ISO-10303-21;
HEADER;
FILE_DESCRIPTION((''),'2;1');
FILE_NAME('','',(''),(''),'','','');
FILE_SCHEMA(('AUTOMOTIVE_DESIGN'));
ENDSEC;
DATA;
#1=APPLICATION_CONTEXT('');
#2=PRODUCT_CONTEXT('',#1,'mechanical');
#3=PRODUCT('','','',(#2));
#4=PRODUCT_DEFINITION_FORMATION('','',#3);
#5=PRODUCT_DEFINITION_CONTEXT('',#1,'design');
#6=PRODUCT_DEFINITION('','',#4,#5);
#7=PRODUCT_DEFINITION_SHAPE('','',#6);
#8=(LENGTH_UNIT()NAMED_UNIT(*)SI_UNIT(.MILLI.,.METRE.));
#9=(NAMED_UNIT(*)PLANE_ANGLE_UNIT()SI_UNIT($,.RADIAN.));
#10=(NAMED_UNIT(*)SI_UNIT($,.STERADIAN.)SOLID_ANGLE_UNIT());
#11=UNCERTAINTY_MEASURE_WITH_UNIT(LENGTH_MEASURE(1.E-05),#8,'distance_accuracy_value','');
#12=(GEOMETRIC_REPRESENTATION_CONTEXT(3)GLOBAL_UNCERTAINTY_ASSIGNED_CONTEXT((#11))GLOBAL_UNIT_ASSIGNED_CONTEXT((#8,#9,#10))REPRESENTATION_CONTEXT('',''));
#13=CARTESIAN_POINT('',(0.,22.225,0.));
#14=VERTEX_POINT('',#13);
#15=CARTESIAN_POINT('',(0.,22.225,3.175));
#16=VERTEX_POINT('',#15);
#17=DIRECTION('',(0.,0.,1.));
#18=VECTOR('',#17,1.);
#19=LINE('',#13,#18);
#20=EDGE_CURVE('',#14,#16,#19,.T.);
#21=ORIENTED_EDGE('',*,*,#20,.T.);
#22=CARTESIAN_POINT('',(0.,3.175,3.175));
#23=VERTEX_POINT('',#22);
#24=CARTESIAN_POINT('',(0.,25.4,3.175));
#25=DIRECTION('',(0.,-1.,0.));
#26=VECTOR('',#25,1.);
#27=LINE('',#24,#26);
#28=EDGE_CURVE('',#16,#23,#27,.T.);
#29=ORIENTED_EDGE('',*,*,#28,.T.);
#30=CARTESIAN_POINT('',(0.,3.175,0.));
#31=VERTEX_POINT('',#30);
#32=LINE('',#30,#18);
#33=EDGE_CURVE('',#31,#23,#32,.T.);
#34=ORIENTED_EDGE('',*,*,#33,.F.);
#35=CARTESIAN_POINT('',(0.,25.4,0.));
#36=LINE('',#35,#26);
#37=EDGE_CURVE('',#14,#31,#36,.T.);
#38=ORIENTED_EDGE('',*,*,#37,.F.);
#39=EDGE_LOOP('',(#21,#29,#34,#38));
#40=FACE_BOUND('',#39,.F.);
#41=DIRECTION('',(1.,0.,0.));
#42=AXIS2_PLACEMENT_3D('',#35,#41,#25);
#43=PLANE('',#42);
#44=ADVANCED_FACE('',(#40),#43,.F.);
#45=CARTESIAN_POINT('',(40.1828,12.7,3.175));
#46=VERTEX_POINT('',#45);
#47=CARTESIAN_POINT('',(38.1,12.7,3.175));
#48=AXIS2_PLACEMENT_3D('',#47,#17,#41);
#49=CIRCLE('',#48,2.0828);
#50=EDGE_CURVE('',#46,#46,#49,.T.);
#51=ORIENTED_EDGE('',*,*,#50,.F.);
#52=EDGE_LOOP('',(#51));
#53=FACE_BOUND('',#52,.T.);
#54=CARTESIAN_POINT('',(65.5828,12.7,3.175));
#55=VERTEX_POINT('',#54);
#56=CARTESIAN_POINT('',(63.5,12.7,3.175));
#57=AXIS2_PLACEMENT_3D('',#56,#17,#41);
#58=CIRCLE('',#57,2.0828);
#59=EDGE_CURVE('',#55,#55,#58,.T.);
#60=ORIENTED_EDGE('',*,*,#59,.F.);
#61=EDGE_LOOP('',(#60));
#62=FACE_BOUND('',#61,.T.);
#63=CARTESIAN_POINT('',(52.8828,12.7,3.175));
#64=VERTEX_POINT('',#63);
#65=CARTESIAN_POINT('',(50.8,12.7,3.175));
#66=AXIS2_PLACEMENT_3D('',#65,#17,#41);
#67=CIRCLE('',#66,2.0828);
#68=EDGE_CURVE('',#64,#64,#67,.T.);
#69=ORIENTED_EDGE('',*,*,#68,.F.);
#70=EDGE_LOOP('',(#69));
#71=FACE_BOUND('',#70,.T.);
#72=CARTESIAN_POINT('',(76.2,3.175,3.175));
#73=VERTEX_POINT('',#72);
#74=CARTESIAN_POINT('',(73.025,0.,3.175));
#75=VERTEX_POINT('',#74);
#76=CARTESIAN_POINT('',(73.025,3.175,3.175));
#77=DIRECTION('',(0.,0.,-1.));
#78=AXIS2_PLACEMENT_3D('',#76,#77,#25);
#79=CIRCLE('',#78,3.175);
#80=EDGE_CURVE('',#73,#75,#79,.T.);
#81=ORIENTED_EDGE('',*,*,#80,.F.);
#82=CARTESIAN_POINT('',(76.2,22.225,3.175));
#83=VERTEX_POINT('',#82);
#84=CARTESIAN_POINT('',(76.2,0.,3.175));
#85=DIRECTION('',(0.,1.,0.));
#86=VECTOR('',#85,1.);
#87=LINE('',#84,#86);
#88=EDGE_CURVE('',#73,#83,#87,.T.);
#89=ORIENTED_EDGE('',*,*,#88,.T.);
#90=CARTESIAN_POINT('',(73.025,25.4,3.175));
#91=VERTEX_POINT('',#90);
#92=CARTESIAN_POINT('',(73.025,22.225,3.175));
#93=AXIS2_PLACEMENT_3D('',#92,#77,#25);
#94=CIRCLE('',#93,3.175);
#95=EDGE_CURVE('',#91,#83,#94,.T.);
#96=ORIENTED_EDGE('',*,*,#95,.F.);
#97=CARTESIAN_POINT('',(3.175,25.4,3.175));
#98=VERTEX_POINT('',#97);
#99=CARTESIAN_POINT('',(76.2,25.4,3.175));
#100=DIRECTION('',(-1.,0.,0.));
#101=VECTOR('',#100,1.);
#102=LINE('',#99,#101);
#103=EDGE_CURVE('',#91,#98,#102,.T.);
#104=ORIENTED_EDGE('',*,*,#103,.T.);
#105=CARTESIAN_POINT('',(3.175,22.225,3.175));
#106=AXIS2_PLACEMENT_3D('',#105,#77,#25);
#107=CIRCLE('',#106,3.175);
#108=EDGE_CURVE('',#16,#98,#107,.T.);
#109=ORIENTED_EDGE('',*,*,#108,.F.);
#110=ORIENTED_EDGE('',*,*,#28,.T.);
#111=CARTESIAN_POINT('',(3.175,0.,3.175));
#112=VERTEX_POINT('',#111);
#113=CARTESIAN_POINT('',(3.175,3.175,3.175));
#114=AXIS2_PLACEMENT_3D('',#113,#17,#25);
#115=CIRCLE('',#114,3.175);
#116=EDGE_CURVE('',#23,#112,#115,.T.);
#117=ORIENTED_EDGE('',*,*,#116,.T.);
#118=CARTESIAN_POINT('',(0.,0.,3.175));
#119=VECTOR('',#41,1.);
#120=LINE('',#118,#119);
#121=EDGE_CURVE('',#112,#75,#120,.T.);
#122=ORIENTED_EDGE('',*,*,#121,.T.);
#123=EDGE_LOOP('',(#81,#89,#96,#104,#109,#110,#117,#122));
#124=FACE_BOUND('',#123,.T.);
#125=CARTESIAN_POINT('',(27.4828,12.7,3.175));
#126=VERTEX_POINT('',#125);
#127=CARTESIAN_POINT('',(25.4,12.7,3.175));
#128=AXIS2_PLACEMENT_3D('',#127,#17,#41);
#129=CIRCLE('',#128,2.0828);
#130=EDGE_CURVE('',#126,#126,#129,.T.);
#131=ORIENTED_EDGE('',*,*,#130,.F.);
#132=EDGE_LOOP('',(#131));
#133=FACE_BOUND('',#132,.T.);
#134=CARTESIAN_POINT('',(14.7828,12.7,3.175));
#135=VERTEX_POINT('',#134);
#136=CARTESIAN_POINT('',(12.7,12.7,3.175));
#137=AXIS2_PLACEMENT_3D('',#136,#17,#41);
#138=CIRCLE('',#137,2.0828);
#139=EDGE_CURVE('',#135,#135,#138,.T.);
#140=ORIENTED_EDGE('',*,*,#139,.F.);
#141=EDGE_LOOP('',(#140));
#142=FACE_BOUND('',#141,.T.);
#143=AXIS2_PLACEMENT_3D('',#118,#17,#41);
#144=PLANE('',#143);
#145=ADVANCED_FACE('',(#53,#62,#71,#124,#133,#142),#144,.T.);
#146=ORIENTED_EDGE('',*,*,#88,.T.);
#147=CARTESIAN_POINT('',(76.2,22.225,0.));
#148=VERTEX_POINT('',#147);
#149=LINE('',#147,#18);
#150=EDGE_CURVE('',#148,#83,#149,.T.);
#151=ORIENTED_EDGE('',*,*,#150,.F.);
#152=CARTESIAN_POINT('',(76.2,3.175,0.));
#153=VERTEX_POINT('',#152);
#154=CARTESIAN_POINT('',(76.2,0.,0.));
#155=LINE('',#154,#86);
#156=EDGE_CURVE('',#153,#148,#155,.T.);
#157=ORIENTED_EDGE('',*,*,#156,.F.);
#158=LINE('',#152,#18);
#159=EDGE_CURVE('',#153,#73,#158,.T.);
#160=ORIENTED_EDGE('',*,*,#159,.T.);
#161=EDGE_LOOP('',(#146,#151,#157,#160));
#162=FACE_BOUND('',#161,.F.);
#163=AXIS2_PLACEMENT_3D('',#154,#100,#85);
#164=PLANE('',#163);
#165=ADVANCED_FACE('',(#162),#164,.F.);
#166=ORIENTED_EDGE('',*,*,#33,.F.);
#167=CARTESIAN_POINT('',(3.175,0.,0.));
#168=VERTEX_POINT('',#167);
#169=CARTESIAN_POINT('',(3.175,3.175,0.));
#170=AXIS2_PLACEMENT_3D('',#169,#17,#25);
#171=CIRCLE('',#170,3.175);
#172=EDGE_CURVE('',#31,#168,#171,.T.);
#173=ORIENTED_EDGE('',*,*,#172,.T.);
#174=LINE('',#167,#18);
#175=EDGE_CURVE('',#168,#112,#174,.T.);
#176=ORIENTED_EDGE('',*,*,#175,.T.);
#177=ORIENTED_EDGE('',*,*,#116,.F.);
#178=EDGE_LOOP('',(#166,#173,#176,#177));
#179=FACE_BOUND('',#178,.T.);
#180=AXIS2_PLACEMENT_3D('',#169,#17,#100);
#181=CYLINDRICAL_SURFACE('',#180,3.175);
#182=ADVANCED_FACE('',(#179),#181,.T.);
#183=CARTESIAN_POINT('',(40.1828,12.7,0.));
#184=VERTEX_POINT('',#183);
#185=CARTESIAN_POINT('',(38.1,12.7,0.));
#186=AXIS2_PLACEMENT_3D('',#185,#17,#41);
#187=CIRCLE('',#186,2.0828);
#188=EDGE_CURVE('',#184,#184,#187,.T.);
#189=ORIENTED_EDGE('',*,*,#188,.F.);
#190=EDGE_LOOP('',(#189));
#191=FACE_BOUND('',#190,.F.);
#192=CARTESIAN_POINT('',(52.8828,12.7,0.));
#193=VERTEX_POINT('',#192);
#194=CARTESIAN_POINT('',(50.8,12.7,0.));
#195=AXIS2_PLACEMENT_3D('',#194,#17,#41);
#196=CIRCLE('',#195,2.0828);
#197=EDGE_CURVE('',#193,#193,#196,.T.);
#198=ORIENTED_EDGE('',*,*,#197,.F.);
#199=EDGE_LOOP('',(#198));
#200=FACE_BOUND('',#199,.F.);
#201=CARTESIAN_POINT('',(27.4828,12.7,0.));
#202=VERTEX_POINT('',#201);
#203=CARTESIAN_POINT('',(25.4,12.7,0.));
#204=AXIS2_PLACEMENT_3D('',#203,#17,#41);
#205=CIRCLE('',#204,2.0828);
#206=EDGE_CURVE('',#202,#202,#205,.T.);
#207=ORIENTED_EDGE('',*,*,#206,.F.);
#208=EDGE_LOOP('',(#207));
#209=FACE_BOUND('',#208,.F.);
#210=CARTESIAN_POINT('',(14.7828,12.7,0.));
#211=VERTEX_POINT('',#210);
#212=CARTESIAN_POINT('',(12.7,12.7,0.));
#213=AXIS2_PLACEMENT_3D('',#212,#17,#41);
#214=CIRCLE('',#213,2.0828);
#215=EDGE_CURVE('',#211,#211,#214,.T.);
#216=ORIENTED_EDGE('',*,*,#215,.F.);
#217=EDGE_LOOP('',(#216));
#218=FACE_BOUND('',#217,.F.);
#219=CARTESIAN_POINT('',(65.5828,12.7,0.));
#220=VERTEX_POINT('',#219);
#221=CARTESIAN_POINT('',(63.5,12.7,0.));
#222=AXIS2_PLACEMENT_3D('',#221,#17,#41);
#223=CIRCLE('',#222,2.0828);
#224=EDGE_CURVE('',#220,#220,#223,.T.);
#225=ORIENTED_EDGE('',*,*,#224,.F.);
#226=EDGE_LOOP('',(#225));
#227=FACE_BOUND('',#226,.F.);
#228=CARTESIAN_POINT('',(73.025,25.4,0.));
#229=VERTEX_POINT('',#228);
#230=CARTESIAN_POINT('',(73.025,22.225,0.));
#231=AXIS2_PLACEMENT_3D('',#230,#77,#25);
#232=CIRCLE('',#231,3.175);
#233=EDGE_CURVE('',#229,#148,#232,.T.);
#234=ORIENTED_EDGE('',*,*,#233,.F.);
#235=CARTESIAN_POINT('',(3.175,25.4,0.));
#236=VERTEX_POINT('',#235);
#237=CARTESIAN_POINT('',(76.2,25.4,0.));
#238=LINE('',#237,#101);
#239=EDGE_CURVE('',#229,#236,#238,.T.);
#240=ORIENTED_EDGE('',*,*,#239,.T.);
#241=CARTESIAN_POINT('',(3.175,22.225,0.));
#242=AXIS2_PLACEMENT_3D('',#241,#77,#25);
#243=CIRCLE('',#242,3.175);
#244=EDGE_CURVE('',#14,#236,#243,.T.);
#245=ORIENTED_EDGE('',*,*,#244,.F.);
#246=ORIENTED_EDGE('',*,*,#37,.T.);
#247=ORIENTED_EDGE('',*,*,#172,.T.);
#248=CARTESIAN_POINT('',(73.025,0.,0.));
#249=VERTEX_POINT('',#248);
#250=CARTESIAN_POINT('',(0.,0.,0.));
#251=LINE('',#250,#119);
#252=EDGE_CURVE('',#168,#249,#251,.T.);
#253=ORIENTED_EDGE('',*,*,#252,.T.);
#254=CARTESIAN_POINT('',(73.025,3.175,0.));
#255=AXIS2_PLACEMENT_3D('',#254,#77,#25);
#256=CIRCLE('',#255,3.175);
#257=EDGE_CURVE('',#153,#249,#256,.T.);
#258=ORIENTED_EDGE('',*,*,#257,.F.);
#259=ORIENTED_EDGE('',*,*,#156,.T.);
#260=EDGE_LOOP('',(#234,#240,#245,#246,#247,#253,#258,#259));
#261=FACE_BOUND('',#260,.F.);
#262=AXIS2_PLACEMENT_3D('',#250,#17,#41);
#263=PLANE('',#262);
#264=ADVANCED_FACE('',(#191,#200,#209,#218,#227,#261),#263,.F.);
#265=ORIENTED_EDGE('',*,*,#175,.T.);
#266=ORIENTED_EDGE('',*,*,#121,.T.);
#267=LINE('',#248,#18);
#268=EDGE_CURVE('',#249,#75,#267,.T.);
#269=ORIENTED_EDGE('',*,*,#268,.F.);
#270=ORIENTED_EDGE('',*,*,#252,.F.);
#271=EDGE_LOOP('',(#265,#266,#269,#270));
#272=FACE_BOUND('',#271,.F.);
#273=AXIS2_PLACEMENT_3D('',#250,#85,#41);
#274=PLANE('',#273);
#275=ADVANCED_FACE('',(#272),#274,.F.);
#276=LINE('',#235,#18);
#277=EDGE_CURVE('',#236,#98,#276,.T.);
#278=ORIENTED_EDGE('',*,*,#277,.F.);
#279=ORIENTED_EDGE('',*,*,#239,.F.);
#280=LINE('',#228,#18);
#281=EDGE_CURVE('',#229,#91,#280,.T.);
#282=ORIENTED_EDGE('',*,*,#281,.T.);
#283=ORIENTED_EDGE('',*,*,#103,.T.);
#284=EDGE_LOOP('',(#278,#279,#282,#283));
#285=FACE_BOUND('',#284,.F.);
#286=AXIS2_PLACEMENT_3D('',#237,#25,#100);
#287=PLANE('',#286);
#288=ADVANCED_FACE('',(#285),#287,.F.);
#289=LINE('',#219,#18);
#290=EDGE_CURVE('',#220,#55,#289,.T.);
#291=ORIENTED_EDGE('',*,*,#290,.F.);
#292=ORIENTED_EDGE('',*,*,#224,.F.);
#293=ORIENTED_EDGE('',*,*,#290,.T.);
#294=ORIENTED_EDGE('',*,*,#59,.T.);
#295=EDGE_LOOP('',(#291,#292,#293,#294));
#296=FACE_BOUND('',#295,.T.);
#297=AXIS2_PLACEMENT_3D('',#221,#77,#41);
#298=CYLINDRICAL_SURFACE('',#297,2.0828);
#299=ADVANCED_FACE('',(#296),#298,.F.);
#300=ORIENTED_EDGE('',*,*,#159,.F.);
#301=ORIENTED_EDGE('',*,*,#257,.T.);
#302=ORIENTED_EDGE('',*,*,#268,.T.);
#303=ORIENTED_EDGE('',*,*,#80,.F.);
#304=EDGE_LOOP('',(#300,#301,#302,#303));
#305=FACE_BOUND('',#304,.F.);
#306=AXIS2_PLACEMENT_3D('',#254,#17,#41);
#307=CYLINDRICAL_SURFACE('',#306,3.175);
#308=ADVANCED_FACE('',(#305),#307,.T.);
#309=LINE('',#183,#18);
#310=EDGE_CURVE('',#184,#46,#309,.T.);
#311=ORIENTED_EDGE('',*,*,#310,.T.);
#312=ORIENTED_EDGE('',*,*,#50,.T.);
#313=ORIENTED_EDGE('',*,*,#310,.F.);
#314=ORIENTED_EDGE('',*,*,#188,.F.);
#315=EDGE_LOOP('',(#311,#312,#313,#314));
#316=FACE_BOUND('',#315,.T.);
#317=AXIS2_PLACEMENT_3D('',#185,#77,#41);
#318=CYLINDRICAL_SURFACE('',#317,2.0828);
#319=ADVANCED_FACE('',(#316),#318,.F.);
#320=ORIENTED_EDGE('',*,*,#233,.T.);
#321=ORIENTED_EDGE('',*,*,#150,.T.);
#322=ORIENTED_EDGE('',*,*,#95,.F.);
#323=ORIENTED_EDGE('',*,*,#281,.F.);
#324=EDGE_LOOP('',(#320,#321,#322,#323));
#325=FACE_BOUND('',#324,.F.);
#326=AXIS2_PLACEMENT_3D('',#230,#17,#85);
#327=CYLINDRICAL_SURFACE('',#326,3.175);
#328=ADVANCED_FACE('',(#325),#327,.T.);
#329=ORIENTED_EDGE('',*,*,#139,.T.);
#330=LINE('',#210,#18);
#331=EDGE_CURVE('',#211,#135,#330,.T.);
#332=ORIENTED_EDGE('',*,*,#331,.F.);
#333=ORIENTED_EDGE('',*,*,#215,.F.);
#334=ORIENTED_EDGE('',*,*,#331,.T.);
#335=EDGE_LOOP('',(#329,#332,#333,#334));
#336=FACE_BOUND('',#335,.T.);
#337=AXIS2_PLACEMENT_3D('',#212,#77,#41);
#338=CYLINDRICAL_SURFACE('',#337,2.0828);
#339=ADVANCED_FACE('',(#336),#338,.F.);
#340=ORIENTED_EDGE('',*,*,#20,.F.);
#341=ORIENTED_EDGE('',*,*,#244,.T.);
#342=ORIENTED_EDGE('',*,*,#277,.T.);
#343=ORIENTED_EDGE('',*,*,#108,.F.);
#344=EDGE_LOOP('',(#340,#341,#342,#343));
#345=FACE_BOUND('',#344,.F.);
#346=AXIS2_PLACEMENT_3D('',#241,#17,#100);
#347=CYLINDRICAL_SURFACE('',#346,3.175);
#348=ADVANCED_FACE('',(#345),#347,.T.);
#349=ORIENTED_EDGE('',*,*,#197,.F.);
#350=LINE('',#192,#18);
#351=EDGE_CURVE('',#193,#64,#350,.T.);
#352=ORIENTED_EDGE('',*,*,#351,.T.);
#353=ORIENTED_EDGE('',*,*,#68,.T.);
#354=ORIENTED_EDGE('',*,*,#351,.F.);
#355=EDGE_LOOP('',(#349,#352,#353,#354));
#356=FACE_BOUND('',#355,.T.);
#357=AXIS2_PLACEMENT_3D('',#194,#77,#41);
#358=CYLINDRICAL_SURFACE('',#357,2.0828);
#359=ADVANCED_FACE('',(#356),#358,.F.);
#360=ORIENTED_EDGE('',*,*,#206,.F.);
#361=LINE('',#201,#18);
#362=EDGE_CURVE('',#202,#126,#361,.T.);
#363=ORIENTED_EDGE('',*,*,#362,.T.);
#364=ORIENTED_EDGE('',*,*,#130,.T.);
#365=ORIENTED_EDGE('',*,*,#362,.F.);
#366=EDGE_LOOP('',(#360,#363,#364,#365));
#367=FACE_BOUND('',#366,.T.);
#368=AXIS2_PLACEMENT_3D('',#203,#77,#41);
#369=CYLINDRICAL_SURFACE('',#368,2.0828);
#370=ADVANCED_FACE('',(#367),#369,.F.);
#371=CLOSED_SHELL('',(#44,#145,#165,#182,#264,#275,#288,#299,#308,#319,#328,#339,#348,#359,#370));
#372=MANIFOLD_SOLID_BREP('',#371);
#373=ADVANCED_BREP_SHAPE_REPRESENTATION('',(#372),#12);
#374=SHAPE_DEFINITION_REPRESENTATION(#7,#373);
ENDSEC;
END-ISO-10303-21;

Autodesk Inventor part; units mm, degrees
ref_plane "YZ Plane" through (0, 0, 0) normal (1, 0, 0) x (0, 1, 0)
ref_plane "XZ Plane" through (0, 0, 0) normal (0, 1, 0) x (-1, 0, 0)
ref_plane "XY Plane" through (0, 0, 0) normal (0, 0, 1) x (1, 0, 0)
sketch "Sketch1" plane through (0, 0, 0) normal (0, 0, 1) x (1, 0, 0)
  line L0 (0, 0) -> (76.2, 0)
  line L1 (76.2, 0) -> (76.2, 25.4)
  line L2 (76.2, 25.4) -> (0, 25.4)
  line L3 (0, 25.4) -> (0, 0)
  circle A0 centre (12.7, 12.7) radius 2.0828
  circle A1 centre (25.4, 12.7) radius 2.0828
  circle A2 centre (38.1, 12.7) radius 2.0828
  circle A3 centre (50.8, 12.7) radius 2.0828
  circle A4 centre (63.5, 12.7) radius 2.0828
  dimension "d0" = 76.2
  dimension "d1" = 25.4
  dimension "d2" = 4.1656
  dimension "d3" = 12.7
  dimension "d4" = 12.7
  dimension "d7" = 12.7
extrude "Extrusion1" add sketch "Sketch1" along normal blind 3.175
fillet "Fillet1" radius 3.175 4 edges at (0, 25.4, 1.5875) (0, 0, 1.5875) (76.2, 0, 1.5875) (76.2, 25.4, 1.5875)
properties part number "3 X 1 Spacer" material "Aluminum 6061"
